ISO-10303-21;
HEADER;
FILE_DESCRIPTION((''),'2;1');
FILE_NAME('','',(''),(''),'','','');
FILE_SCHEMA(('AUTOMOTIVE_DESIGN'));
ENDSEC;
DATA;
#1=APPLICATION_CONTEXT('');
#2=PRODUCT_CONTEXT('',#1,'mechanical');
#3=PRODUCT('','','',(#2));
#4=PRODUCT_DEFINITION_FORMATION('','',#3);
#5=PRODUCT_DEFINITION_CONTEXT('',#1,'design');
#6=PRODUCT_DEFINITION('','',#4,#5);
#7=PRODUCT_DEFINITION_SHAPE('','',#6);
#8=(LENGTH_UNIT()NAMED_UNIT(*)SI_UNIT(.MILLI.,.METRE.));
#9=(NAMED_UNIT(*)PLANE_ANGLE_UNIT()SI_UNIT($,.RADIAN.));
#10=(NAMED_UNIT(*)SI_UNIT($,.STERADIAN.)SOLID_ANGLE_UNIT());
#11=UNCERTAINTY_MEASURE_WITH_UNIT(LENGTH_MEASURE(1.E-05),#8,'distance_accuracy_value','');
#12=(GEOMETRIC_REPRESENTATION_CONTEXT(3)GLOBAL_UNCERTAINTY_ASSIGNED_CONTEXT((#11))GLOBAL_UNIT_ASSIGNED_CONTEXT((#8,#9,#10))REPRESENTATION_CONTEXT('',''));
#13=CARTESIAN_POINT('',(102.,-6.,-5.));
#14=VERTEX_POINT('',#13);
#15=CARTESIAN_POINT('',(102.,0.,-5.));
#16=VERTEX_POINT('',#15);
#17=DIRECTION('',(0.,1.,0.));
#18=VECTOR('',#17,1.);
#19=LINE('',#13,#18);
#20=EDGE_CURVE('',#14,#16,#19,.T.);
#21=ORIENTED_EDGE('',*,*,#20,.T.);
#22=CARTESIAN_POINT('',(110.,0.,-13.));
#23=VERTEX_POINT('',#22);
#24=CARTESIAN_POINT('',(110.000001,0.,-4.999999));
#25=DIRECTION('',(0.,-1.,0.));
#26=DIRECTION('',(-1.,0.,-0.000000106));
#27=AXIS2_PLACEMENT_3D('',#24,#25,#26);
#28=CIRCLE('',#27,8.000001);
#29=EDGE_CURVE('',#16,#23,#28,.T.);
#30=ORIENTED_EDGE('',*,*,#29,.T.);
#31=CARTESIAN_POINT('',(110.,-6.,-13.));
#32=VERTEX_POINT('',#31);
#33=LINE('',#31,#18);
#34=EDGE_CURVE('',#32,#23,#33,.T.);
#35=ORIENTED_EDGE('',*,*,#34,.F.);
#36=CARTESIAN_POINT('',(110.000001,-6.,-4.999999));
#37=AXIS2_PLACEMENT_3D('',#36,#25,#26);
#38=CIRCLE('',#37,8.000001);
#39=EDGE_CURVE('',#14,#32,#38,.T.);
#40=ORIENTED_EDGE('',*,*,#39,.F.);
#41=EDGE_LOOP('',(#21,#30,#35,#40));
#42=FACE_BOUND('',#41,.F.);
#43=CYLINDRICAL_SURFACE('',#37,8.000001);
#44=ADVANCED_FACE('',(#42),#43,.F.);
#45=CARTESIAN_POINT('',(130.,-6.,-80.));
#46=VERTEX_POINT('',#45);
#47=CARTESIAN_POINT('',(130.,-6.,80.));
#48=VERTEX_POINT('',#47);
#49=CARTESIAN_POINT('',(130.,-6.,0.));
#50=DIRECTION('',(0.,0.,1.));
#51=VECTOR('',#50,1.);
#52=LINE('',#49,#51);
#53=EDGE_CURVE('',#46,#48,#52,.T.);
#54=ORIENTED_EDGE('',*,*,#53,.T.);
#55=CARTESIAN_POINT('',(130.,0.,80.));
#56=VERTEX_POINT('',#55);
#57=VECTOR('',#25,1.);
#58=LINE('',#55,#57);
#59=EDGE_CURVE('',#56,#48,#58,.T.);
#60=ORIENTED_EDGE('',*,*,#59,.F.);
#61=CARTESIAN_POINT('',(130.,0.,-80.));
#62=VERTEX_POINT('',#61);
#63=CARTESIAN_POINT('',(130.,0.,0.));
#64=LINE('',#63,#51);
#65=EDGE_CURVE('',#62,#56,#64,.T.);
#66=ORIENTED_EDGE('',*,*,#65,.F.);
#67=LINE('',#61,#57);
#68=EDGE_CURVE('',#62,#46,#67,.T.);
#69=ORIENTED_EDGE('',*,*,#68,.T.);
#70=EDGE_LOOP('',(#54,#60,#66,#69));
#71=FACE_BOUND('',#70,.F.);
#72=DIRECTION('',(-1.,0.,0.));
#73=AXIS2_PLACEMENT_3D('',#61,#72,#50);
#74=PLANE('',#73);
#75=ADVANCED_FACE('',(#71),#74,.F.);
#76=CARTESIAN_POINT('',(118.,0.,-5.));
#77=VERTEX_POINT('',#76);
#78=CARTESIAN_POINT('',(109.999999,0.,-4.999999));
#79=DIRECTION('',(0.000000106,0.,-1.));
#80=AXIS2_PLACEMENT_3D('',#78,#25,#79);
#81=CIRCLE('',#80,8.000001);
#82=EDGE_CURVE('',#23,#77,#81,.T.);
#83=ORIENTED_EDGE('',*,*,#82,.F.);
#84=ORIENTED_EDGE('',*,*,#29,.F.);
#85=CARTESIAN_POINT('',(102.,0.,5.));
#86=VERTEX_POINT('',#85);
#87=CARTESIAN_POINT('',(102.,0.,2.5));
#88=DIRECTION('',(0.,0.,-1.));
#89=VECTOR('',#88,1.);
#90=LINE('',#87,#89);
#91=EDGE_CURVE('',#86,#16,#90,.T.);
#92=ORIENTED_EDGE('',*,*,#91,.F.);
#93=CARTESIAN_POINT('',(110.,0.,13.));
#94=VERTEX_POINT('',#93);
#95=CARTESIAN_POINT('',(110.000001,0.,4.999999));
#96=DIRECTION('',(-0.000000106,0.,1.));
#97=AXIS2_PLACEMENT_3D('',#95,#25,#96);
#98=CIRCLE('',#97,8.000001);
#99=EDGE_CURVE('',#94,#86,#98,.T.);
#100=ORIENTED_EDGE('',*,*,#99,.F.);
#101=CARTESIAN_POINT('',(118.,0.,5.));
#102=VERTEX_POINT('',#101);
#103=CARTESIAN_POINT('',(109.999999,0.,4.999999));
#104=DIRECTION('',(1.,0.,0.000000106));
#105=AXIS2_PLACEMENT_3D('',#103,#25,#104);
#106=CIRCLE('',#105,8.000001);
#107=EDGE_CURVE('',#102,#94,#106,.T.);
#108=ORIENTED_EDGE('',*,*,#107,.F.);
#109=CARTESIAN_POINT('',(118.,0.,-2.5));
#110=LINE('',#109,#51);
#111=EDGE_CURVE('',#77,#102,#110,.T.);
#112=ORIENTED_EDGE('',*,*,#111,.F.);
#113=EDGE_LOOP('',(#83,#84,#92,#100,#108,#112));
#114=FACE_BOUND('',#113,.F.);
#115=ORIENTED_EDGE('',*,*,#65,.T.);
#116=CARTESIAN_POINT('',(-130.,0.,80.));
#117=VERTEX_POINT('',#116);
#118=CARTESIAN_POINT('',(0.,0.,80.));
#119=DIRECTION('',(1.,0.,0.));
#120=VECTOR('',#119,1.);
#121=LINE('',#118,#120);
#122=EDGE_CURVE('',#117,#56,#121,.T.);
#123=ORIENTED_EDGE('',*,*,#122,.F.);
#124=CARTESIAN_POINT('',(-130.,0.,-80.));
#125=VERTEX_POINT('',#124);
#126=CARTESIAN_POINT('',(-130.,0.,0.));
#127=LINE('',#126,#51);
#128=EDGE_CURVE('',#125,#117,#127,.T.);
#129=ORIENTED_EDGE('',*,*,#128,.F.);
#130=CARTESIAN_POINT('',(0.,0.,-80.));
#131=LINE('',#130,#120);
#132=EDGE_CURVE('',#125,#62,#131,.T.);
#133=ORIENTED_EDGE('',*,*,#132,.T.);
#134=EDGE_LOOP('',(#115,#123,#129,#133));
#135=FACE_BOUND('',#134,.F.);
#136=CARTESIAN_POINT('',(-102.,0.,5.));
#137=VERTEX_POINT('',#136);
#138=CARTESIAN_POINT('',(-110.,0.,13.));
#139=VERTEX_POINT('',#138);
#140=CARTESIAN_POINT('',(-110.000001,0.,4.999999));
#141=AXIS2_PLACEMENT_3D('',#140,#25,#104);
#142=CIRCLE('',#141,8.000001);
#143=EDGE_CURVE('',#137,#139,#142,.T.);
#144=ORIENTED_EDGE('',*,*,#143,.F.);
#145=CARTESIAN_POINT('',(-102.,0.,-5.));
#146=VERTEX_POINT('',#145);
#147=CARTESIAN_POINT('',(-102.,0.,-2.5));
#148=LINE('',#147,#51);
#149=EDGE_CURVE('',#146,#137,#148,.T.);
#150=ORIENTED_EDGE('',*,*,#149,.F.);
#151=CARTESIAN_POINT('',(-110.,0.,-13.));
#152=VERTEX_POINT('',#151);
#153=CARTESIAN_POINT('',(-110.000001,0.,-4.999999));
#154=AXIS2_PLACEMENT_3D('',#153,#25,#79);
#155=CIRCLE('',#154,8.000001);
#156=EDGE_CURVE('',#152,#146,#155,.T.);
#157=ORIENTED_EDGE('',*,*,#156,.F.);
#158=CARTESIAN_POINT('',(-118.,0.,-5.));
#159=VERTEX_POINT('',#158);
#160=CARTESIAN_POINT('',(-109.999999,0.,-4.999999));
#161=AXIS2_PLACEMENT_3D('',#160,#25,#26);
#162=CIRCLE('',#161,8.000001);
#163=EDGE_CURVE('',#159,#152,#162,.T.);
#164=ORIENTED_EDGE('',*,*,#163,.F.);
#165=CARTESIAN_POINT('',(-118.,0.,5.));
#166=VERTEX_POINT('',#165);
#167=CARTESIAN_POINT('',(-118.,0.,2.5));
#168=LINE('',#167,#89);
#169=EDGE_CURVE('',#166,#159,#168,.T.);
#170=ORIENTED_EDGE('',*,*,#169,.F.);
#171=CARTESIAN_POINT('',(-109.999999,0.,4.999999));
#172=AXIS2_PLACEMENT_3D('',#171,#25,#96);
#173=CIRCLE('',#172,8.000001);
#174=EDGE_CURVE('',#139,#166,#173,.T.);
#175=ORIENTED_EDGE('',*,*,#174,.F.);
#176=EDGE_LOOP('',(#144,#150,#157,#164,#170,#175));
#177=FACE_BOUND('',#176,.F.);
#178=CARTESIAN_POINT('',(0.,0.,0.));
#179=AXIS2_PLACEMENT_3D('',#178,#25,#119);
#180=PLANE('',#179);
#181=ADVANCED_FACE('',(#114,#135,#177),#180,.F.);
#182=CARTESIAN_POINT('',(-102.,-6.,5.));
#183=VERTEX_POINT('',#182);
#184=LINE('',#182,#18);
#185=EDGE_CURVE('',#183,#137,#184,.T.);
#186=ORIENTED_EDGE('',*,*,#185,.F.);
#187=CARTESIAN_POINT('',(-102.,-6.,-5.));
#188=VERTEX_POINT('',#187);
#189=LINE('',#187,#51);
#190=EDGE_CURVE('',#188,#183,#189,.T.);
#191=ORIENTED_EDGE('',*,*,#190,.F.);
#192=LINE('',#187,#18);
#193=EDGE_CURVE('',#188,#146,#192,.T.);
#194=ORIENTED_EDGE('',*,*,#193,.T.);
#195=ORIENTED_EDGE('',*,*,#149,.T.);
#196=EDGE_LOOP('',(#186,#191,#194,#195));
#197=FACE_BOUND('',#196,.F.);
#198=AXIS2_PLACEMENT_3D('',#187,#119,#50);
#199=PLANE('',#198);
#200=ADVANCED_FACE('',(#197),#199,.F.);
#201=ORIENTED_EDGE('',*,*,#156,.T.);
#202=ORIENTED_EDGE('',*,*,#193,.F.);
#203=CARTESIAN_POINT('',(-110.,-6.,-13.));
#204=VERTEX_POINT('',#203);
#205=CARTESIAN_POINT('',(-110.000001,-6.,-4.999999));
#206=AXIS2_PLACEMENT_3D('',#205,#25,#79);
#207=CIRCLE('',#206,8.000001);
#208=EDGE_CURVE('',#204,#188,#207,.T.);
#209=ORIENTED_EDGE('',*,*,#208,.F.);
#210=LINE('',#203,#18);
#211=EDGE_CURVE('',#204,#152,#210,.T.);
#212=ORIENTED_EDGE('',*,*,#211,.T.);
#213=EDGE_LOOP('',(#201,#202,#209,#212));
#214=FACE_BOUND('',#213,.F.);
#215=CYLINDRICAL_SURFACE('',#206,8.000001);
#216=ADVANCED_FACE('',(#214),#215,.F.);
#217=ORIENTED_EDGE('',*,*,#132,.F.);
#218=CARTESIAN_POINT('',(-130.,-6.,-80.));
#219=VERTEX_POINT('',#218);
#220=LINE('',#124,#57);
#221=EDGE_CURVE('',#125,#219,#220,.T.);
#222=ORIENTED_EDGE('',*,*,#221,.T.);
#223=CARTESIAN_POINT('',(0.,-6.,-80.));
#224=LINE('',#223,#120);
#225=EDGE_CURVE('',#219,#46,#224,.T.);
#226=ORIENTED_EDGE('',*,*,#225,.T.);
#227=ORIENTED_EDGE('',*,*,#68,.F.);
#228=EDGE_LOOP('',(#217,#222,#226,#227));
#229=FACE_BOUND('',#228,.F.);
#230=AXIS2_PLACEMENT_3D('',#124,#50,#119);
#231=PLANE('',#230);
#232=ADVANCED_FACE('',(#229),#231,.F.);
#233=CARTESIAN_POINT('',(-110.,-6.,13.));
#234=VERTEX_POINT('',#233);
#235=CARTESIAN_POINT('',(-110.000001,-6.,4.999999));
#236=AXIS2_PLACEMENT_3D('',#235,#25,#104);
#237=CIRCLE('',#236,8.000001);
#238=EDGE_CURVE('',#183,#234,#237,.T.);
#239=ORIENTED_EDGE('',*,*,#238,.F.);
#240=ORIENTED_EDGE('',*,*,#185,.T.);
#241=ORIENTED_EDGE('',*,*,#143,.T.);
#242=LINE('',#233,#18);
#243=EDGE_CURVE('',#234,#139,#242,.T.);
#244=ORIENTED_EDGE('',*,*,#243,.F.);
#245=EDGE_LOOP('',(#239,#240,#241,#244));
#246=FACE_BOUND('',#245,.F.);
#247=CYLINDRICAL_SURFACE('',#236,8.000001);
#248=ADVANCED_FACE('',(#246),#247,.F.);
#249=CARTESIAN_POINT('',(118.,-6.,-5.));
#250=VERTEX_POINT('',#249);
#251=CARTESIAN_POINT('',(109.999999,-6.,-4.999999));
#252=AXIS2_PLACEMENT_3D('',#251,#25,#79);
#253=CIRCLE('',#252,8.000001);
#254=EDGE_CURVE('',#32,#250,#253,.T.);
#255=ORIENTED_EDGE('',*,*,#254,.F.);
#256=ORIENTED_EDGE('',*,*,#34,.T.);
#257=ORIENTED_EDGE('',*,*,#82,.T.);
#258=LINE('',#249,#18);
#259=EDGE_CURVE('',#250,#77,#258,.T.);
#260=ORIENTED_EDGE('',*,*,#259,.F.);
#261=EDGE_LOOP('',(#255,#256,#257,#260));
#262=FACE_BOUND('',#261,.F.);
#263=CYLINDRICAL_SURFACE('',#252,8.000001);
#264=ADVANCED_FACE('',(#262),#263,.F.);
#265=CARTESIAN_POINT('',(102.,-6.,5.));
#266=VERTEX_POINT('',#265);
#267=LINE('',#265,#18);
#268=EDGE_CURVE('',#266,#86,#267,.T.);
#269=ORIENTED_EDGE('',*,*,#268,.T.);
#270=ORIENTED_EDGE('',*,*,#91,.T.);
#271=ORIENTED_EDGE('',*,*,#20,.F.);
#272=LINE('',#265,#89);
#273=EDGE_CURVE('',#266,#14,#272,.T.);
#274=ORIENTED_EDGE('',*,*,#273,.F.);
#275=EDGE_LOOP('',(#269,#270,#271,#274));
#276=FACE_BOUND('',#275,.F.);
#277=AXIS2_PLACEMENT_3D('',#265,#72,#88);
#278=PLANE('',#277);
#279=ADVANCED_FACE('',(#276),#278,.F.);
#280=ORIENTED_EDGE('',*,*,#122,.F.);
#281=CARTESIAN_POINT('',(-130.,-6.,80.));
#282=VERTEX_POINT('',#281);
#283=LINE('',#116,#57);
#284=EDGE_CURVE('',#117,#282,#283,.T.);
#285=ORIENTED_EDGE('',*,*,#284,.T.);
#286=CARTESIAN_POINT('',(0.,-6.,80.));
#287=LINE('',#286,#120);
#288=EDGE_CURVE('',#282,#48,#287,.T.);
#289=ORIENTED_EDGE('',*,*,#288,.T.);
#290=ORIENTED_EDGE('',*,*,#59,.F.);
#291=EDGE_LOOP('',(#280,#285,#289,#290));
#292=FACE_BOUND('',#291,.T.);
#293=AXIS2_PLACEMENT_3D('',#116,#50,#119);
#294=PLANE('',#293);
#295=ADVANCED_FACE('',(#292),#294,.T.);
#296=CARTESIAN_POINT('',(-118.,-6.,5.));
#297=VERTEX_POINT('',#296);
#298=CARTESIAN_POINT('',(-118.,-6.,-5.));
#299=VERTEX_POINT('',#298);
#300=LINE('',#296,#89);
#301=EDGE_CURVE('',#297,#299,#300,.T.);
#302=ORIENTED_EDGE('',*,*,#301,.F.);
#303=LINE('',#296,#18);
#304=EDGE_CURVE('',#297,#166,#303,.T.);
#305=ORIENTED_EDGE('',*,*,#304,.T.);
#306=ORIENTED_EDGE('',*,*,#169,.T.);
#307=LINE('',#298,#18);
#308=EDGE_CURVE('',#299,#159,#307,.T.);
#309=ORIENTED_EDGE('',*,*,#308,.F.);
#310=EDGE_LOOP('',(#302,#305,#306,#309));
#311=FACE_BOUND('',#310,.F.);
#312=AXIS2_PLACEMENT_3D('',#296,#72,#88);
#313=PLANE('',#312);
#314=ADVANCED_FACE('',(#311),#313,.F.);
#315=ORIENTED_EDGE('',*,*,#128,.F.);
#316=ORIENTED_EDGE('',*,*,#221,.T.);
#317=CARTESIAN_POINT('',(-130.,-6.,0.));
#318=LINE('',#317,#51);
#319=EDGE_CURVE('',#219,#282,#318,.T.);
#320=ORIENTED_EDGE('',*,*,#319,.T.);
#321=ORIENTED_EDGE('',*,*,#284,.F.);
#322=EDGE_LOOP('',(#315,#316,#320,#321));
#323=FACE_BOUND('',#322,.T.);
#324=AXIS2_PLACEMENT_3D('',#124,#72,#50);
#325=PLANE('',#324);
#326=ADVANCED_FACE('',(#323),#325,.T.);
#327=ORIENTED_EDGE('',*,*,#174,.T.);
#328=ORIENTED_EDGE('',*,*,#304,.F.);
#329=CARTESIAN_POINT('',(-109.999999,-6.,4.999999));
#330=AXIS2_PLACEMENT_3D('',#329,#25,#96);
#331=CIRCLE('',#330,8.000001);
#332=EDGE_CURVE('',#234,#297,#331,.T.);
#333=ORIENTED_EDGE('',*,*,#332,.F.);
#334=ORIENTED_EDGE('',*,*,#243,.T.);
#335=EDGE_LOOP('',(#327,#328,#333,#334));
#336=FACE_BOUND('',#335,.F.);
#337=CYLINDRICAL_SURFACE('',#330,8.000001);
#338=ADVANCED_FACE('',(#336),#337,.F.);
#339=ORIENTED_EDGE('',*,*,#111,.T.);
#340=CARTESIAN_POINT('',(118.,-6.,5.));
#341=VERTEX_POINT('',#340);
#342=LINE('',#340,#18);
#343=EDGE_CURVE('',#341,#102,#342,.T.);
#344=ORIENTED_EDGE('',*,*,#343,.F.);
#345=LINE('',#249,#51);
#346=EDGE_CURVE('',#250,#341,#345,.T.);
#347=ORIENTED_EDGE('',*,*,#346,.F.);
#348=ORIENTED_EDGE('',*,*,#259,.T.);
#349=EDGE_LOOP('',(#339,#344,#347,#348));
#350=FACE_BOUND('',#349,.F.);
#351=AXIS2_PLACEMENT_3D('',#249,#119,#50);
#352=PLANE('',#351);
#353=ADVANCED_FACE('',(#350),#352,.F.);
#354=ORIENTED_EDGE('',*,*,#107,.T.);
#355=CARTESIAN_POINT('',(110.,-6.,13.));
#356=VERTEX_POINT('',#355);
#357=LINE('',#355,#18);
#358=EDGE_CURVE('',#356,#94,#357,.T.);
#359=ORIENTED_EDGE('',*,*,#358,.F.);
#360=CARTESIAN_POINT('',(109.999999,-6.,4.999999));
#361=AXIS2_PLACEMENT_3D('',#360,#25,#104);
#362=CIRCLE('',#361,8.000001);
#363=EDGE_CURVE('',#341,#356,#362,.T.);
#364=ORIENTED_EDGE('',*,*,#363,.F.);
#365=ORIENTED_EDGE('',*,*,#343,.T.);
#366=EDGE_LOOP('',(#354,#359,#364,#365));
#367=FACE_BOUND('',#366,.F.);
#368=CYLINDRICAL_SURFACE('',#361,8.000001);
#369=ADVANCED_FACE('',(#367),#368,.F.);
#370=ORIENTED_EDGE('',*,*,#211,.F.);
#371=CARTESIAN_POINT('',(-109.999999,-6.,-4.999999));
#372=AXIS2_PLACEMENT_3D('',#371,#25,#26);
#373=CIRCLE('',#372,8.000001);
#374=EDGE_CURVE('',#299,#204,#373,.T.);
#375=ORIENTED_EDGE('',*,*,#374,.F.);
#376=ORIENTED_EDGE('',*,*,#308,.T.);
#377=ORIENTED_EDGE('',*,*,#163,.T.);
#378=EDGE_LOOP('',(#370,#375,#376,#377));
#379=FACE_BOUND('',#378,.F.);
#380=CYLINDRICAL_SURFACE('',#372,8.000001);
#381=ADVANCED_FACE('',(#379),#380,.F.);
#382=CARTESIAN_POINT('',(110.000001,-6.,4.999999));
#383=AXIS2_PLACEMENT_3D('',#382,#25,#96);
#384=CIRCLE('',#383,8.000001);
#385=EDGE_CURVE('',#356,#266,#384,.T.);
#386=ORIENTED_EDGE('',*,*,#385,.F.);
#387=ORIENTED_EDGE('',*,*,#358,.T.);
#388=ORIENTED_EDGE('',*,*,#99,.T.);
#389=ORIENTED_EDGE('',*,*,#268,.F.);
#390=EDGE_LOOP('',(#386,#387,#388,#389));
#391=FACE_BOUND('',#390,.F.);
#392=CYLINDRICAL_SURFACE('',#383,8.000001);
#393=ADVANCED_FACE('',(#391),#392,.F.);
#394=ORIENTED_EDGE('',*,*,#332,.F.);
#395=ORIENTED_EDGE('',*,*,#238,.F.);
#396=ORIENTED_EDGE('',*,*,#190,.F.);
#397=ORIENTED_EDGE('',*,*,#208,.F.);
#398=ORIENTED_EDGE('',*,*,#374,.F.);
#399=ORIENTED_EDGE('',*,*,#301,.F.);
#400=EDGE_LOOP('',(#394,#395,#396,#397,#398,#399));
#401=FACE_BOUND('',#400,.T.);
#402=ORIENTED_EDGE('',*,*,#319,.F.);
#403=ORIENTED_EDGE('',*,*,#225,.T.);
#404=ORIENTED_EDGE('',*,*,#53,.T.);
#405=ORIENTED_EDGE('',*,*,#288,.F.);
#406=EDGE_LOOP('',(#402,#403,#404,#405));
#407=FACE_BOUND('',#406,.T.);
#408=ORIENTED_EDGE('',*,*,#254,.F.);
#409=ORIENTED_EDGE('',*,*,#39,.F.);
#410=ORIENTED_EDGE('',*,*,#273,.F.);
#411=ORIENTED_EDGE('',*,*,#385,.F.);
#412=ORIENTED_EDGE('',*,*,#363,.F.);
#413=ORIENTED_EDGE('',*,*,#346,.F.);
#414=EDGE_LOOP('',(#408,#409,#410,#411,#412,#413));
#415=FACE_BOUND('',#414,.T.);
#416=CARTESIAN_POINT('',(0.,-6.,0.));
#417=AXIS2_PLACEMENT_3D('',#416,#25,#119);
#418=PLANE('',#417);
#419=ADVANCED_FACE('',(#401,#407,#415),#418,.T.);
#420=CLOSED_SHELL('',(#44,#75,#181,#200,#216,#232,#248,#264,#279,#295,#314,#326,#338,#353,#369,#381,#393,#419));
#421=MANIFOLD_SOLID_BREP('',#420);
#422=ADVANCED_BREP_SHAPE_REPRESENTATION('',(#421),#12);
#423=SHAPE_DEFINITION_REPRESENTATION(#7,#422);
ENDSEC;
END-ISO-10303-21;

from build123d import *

# Parameters (mm, degrees)
F0_W     = 260
F0_H     = 160
F1_DEPTH = 6
F3_DEPTH = 6.001


with BuildPart() as f1:
    # F0 (on Front) → F1 (new body)
    with BuildSketch(Plane.XZ):
        Rectangle(F0_W, F0_H)
    extrude(amount=F1_DEPTH)

    # F2 (on face) → F3 (cut, through all)
    with BuildSketch(Plane.XZ.offset(6)):
        with BuildLine():
            ThreePointArc((-110, -13), (-104.343146, -10.656854), (-102, -5))
            Line((-102, -5), (-102, 5))
            ThreePointArc((-102, 5), (-104.343146, 10.656854), (-110, 13))
            ThreePointArc((-110, 13), (-115.656854, 10.656854), (-118, 5))
            Line((-118, 5), (-118, -5))
            ThreePointArc((-118, -5), (-115.656854, -10.656854), (-110, -13))
        make_face()
        with BuildLine():
            ThreePointArc((110, -13), (115.656854, -10.656854), (118, -5))
            Line((118, -5), (118, 5))
            ThreePointArc((118, 5), (115.656854, 10.656854), (110, 13))
            ThreePointArc((110, 13), (104.343146, 10.656854), (102, 5))
            Line((102, 5), (102, -5))
            ThreePointArc((102, -5), (104.343146, -10.656854), (110, -13))
        make_face()
    extrude(amount=-F3_DEPTH, mode=Mode.SUBTRACT)


solid = f1.part
